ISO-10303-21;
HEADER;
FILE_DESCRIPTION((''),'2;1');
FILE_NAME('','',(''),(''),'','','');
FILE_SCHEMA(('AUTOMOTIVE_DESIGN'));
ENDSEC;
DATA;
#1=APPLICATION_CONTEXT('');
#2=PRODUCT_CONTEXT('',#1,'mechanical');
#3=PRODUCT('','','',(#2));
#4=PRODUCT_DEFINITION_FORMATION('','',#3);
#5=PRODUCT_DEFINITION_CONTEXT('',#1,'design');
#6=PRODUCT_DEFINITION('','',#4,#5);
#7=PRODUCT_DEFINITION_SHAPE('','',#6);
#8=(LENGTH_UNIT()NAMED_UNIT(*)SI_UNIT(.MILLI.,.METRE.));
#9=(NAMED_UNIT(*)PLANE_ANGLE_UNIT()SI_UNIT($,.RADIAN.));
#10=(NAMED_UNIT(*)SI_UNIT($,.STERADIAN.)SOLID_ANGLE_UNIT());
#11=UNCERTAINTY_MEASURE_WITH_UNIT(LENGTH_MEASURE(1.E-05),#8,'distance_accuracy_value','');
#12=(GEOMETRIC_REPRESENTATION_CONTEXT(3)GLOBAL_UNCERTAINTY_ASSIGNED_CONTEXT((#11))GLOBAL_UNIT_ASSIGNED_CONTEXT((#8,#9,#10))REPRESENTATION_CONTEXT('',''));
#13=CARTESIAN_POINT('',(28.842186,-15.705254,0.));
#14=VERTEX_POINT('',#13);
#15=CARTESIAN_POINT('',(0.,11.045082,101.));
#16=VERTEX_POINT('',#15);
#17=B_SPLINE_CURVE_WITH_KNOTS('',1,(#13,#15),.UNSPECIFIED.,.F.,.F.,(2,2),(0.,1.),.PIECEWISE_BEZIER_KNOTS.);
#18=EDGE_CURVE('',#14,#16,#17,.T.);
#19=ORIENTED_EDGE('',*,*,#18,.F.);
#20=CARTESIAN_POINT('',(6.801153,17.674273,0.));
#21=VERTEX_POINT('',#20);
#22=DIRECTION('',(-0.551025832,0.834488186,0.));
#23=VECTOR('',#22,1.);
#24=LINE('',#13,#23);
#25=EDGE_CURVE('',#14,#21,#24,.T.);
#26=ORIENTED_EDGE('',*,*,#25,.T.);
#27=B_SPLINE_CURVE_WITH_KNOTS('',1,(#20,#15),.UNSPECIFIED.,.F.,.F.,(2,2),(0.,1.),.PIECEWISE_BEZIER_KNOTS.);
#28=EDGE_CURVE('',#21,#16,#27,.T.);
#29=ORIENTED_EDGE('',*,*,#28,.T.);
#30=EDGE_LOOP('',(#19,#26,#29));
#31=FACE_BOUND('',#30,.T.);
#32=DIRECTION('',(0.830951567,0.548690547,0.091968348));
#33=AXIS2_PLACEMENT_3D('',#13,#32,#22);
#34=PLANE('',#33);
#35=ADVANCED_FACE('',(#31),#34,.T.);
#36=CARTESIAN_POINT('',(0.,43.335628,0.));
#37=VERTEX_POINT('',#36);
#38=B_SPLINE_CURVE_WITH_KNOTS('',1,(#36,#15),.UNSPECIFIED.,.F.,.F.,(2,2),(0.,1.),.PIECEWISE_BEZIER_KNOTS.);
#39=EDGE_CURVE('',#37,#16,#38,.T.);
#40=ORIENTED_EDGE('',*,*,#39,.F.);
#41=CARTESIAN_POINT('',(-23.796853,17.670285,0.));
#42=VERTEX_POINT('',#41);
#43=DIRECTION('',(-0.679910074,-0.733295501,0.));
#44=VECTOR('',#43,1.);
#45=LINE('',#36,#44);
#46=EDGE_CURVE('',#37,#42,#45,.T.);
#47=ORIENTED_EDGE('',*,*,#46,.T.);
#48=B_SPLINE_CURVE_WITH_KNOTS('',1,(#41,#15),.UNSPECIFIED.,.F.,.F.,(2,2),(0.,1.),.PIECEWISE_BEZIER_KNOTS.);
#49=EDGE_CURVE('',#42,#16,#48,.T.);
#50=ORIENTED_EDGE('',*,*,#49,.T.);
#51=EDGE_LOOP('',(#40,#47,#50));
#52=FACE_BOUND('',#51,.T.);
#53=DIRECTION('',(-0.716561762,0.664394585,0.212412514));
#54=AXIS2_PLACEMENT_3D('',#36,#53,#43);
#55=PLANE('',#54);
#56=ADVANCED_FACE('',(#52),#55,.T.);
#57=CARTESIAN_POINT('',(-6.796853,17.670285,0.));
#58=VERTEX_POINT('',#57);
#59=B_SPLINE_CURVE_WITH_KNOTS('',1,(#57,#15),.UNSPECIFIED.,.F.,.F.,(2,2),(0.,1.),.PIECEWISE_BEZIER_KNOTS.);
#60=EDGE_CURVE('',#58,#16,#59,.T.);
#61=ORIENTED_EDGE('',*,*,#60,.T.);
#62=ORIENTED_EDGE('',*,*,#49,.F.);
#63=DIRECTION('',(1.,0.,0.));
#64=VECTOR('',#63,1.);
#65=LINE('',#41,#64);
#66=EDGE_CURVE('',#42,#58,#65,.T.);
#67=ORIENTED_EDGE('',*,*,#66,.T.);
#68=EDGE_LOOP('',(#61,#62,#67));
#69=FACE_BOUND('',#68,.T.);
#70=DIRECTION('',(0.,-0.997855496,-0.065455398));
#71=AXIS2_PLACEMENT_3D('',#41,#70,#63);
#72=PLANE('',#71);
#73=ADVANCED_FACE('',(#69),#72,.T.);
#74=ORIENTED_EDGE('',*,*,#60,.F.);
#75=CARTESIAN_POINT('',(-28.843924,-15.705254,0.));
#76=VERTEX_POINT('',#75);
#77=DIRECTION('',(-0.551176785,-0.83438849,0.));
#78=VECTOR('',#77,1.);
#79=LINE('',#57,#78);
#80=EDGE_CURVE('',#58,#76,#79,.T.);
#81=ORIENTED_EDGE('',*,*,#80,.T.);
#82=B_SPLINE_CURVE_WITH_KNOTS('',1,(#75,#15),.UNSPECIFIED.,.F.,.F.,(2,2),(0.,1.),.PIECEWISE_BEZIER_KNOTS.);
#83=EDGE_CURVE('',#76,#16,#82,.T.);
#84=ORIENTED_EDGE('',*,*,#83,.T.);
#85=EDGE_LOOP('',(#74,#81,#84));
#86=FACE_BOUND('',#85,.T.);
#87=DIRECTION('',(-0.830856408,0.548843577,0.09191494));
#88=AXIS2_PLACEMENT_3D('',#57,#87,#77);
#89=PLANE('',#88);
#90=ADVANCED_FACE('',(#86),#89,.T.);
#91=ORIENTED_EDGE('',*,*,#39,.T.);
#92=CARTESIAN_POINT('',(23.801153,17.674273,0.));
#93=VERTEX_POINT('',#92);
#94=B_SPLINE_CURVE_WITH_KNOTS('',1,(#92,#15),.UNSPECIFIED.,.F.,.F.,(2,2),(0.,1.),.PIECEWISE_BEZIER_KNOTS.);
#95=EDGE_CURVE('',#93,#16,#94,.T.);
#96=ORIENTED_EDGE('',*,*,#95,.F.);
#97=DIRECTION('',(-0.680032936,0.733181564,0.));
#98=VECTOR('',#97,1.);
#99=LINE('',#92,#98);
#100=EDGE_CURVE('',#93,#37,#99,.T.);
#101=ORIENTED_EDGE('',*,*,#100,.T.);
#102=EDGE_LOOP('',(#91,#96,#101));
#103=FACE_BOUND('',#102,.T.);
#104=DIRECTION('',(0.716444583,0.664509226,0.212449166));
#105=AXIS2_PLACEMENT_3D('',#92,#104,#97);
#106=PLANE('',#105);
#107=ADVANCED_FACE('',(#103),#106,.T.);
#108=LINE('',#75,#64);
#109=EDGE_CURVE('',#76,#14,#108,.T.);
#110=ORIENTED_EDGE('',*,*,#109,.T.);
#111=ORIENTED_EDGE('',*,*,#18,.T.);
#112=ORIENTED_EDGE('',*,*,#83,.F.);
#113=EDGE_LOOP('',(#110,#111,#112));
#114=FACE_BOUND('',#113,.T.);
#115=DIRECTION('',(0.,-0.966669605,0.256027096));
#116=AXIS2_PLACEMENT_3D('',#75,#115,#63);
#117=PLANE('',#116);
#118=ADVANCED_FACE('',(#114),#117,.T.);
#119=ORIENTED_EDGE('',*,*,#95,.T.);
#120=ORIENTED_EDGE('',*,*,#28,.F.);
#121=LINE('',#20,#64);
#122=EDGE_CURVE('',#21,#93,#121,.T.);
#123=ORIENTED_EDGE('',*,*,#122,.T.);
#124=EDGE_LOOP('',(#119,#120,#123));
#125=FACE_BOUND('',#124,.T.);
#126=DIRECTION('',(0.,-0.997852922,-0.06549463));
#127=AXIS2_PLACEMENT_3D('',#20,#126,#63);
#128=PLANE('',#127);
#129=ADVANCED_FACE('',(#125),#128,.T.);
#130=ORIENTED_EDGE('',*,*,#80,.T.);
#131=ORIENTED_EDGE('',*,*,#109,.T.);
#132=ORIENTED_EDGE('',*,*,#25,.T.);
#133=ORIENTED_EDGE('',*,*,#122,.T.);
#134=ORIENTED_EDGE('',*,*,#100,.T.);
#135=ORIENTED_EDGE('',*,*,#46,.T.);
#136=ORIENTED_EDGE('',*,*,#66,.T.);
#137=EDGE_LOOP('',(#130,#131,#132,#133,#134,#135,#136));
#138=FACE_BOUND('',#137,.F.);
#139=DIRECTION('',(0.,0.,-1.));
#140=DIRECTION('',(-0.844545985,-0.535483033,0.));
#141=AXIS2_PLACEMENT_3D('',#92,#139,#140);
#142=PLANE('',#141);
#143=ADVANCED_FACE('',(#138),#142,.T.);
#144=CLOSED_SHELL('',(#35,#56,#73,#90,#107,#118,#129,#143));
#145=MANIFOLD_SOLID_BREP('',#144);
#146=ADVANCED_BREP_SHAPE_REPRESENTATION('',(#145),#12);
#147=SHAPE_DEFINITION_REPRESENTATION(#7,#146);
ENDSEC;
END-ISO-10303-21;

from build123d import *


with BuildPart() as f3:
    # F0 (on Top) → F3 section 0
    with BuildSketch(Plane.XY, mode=Mode.PRIVATE) as f3_s0:
        Polygon((23.801153, 17.674273), (0, 43.335628), (-23.796853, 17.670285), (-6.796853, 17.670285), (-28.843924, -15.705254), (28.842186, -15.705254), (6.801153, 17.674273), align=None)
    loft([f3_s0.sketch, Vertex(0, 11.045082, 101)])


solid = f3.part
